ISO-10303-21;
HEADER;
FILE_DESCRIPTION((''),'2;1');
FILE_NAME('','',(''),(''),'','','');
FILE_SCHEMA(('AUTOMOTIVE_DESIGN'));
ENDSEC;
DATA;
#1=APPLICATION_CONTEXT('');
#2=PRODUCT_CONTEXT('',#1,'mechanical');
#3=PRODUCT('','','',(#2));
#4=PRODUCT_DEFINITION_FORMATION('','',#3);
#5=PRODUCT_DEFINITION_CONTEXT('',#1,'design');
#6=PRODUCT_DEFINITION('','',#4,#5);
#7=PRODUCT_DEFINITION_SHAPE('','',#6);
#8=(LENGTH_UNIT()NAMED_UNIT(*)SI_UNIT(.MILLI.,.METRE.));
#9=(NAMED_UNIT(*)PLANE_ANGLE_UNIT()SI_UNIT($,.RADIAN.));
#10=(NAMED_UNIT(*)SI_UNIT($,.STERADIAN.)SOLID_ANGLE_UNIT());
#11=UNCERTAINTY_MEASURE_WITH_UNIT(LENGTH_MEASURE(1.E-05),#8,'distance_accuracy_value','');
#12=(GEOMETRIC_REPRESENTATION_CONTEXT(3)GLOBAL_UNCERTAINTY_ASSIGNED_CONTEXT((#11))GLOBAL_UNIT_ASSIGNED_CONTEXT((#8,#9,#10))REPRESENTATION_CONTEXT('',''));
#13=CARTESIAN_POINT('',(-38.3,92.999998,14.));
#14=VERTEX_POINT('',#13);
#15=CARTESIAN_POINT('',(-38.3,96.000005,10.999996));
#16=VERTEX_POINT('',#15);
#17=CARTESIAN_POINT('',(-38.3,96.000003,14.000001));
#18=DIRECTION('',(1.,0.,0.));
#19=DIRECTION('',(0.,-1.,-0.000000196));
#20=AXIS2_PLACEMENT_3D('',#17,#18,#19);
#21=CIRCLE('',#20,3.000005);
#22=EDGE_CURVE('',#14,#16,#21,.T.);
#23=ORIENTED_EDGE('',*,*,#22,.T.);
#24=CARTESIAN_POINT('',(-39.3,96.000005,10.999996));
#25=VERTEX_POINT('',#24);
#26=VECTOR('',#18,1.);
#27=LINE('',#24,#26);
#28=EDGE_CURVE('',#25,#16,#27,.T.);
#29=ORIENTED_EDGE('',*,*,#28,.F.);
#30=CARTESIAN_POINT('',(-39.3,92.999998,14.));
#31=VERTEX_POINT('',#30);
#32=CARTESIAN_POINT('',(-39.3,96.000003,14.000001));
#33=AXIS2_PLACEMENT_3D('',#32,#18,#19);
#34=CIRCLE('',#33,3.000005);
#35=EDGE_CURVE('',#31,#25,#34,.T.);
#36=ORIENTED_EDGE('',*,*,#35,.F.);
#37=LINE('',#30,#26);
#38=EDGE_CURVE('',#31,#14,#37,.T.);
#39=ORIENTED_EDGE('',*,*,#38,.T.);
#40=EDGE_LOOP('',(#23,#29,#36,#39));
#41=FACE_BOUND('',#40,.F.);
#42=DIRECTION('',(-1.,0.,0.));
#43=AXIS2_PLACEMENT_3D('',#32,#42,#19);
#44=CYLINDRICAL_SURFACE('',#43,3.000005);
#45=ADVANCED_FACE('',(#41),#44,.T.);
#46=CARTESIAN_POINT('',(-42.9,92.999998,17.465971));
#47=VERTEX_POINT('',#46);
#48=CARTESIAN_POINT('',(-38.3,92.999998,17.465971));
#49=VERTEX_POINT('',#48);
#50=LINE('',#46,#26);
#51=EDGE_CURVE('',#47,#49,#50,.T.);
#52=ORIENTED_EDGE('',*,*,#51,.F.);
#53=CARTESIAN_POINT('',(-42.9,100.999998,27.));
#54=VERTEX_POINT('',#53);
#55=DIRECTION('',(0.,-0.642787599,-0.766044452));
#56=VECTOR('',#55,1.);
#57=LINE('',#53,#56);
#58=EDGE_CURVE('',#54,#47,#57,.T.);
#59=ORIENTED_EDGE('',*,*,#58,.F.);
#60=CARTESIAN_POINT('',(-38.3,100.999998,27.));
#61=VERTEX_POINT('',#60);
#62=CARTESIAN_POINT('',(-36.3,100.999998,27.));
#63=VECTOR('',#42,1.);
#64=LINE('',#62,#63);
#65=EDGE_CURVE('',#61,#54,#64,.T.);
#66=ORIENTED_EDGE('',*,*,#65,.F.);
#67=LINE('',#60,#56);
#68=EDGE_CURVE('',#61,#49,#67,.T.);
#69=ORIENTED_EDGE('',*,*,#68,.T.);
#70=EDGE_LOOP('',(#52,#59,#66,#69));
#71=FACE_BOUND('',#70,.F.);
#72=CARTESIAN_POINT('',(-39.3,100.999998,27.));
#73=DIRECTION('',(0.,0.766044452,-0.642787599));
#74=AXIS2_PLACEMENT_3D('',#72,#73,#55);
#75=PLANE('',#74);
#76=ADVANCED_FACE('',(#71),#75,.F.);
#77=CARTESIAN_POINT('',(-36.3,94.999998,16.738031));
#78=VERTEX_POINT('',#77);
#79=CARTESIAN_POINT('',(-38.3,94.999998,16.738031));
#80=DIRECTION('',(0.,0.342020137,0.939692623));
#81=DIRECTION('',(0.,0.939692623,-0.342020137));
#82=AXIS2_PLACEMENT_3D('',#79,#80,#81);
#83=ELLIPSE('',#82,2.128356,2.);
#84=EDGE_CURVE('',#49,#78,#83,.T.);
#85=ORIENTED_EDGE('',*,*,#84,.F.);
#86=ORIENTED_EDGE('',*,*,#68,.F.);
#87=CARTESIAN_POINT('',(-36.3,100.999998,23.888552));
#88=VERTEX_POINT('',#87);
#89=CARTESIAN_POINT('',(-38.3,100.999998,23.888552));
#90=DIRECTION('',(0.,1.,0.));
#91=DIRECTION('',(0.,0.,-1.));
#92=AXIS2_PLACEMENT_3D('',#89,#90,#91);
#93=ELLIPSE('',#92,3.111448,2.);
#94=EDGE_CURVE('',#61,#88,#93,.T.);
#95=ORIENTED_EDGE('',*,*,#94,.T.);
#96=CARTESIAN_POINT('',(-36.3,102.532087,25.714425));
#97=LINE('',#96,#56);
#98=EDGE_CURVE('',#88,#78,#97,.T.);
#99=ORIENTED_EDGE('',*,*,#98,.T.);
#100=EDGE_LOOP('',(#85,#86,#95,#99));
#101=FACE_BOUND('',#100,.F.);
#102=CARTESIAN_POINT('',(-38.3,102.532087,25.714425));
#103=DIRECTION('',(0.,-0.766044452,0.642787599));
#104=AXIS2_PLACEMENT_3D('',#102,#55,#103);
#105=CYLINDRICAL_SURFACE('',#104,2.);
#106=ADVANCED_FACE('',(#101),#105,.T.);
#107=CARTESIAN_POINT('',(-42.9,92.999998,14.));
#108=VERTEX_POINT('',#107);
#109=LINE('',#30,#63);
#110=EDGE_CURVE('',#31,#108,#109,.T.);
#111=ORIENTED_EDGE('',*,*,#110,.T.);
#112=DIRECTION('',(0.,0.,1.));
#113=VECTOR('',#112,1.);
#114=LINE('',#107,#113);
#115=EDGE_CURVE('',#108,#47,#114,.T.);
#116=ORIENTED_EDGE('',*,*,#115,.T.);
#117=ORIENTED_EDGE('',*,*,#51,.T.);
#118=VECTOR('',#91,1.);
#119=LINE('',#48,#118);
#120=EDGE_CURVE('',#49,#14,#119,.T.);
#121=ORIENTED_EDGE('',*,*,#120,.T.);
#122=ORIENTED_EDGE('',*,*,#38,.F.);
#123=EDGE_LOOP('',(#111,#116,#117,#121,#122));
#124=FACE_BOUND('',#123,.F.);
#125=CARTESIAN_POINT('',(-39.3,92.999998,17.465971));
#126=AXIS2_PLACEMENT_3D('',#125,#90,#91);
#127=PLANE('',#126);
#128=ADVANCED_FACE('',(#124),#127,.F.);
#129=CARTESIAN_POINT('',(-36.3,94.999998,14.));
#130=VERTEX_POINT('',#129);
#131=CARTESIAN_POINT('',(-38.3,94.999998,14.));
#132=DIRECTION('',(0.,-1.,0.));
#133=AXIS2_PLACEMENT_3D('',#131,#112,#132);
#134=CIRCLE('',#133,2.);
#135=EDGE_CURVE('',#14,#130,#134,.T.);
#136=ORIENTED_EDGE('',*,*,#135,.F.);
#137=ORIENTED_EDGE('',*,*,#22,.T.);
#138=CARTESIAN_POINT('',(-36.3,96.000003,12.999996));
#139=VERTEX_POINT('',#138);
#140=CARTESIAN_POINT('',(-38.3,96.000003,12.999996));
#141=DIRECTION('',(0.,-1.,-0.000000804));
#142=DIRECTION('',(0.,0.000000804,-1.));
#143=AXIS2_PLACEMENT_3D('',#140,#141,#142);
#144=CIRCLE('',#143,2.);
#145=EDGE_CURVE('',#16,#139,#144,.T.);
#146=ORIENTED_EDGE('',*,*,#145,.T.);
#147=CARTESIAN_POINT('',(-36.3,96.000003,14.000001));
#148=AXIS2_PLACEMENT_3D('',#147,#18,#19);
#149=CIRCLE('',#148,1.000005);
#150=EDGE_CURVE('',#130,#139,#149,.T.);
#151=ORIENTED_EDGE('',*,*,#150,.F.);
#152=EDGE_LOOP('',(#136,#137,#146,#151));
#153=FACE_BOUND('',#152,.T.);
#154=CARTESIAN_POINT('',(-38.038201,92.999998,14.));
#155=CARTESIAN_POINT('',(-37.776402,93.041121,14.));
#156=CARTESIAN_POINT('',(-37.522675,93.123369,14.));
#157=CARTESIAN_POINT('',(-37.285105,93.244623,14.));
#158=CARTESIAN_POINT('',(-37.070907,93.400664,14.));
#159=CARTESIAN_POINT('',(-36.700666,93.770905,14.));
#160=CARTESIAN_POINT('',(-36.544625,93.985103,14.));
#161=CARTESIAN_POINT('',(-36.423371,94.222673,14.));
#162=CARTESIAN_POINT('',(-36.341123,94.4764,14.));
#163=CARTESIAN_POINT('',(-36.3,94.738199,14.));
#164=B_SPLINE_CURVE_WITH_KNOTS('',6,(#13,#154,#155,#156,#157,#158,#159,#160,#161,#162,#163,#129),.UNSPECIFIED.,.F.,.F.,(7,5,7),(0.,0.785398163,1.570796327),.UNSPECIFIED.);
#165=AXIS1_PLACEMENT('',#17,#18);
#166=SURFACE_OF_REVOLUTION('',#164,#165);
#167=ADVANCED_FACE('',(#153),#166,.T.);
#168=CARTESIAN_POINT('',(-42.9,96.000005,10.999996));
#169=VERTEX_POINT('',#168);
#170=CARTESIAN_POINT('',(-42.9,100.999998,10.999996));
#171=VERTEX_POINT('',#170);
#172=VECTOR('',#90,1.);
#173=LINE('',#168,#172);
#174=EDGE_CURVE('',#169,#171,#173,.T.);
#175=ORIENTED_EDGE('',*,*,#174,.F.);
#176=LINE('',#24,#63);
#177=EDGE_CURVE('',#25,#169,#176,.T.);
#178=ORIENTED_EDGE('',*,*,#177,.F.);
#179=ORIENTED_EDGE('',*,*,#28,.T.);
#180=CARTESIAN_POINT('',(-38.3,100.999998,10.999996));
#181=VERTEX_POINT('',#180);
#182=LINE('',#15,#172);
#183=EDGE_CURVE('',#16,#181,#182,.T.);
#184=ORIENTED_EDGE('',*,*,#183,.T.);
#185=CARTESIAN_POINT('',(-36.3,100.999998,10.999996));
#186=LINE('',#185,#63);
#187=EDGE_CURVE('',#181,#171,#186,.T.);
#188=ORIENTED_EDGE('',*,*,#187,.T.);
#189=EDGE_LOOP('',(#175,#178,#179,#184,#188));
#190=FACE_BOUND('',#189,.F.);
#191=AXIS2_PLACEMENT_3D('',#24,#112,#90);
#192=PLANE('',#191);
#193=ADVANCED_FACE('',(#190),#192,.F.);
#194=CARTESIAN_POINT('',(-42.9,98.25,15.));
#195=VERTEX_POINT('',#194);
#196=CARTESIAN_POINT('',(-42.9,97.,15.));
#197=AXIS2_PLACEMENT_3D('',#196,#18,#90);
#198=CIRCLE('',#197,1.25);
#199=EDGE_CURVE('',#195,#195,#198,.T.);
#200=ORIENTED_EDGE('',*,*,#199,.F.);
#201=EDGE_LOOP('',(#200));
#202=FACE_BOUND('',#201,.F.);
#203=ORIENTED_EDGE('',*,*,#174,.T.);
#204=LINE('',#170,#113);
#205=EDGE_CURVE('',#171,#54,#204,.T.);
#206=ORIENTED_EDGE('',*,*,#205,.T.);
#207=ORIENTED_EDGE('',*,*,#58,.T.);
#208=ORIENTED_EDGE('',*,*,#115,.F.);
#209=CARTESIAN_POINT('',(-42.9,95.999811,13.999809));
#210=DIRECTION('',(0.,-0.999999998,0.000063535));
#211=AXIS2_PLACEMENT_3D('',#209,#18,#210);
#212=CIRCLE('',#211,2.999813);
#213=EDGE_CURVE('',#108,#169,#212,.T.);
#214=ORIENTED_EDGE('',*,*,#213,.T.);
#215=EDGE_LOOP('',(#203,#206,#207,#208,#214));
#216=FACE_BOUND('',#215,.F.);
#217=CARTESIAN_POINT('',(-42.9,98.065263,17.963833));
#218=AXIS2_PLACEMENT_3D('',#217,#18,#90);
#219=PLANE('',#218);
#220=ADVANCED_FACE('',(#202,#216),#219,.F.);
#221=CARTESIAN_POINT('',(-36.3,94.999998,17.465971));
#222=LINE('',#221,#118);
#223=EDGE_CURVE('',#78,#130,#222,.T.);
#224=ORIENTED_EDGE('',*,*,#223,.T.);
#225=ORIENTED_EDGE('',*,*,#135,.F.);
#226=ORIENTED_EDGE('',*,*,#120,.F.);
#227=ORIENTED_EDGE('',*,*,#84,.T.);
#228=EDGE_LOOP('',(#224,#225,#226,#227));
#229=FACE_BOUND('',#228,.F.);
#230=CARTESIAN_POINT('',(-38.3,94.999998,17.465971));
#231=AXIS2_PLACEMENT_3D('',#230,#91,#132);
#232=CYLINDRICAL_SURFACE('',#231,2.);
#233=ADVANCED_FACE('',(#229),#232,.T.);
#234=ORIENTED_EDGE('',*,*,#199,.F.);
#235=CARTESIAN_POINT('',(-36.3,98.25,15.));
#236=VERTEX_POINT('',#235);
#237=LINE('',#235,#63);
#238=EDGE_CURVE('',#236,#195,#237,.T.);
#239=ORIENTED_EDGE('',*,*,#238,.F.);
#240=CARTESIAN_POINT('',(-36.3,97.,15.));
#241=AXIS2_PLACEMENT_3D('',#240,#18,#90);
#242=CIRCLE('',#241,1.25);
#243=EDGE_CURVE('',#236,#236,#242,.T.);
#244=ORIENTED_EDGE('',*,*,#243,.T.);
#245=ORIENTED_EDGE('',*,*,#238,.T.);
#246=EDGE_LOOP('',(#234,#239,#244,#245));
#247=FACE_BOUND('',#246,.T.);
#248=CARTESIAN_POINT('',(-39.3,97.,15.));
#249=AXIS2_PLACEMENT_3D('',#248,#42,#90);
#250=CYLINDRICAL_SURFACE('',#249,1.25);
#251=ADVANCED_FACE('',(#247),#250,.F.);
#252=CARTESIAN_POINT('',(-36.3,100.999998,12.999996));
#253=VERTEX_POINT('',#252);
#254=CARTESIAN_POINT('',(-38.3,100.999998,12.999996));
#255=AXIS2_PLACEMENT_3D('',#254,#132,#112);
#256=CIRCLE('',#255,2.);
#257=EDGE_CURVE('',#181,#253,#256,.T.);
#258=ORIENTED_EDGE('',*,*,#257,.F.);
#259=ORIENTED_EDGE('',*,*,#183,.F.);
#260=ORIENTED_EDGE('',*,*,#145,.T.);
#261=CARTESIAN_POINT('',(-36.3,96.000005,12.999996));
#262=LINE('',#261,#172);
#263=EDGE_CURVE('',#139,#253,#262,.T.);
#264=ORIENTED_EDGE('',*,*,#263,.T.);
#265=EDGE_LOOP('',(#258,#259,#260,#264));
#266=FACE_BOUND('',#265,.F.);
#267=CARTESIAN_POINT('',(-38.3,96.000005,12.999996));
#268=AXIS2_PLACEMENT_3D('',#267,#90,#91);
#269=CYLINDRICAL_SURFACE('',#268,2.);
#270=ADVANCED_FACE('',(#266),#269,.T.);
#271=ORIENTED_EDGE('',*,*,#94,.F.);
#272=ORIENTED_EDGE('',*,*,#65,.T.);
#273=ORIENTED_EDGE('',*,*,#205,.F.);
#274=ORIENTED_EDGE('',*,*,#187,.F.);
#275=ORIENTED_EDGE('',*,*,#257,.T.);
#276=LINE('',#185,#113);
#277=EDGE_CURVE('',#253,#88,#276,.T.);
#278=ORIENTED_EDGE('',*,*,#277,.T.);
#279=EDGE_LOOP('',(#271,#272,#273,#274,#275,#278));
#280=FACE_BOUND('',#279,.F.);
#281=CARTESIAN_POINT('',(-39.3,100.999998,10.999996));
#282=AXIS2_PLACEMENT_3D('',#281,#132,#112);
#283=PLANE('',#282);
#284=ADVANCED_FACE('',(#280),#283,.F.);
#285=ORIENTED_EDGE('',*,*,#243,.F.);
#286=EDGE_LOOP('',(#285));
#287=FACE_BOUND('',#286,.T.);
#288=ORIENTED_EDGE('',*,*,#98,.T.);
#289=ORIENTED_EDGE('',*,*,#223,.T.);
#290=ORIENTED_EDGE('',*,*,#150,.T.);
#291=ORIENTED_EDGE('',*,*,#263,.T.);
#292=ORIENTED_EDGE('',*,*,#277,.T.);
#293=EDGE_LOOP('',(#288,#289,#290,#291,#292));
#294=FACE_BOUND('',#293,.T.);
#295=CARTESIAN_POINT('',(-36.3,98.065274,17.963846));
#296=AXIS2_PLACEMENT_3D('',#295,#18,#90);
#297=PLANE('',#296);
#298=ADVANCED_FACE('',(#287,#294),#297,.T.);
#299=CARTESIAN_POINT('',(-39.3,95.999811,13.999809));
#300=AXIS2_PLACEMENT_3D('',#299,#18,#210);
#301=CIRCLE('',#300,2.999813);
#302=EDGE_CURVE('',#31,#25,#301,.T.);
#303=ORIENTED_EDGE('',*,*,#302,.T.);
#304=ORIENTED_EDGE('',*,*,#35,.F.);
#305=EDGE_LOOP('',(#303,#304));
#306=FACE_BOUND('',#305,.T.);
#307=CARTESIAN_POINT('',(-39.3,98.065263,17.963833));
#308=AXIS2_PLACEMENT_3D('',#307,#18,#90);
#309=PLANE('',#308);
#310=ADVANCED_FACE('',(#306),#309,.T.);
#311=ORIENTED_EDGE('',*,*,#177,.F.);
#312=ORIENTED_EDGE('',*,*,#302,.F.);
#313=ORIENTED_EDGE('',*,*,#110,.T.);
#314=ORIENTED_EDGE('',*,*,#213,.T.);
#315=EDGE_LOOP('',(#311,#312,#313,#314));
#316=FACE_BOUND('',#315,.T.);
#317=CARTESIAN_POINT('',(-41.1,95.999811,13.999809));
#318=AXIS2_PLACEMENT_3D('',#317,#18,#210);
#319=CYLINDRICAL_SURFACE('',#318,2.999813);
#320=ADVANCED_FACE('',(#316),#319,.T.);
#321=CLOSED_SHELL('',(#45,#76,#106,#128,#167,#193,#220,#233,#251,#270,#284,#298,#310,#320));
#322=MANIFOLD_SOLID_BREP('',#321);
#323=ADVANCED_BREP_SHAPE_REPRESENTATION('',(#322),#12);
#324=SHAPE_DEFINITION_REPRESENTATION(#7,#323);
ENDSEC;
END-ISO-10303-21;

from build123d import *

# Parameters (mm, degrees)
SKETCH062_R  = 1.25
PAD029_DEPTH = 1.8
SKETCH063_R  = 1.25
PAD031_DEPTH = 3
FILLET003_R  = 2


with BuildPart() as part:
    # Sketch062 → Pad029 (new body, symmetric)
    with BuildSketch(Plane.YZ.offset(-41.1)):
        with BuildLine():
            Line((96.000005, 10.999996), (100.999998, 10.999996))
            Line((100.999998, 10.999996), (100.999998, 27))
            Line((100.999998, 27), (92.999998, 17.465971))
            Line((92.999998, 14), (92.999998, 17.465971))
            ThreePointArc((92.999998, 14), (93.878624, 11.87862), (96.000005, 10.999996))
        make_face()
        with Locations((97, 15)):
            Circle(SKETCH062_R, mode=Mode.SUBTRACT)
    extrude(amount=PAD029_DEPTH, both=True)

    # Sketch063 (on Face8 of Clone025) → Pad031 (new body)
    with BuildSketch(Plane.YZ.offset(-39.3)):
        with BuildLine():
            Line((100.999998, 27), (92.999998, 17.465971))
            Line((92.999998, 17.465971), (92.999998, 14))
            ThreePointArc((92.999998, 14), (93.87868, 11.878676), (96.000005, 10.999996))
            Line((96.000005, 10.999996), (100.999998, 10.999996))
            Line((100.999998, 10.999996), (100.999998, 27))
        make_face()
        with Locations((97, 15)):
            Circle(SKETCH063_R, mode=Mode.SUBTRACT)
    extrude(amount=PAD031_DEPTH)

    # Fillet003
    fillet003_edges = [part.edges().sort_by_distance(p)[0] for p in [
        (-36.3, 98.500001, 10.999996),
        (-36.3, 93.87868, 11.878676),
        (-36.3, 92.999998, 15.732986),
        (-36.3, 96.999998, 22.232986),
    ]]
    fillet(fillet003_edges, radius=FILLET003_R)


solid = part.part
